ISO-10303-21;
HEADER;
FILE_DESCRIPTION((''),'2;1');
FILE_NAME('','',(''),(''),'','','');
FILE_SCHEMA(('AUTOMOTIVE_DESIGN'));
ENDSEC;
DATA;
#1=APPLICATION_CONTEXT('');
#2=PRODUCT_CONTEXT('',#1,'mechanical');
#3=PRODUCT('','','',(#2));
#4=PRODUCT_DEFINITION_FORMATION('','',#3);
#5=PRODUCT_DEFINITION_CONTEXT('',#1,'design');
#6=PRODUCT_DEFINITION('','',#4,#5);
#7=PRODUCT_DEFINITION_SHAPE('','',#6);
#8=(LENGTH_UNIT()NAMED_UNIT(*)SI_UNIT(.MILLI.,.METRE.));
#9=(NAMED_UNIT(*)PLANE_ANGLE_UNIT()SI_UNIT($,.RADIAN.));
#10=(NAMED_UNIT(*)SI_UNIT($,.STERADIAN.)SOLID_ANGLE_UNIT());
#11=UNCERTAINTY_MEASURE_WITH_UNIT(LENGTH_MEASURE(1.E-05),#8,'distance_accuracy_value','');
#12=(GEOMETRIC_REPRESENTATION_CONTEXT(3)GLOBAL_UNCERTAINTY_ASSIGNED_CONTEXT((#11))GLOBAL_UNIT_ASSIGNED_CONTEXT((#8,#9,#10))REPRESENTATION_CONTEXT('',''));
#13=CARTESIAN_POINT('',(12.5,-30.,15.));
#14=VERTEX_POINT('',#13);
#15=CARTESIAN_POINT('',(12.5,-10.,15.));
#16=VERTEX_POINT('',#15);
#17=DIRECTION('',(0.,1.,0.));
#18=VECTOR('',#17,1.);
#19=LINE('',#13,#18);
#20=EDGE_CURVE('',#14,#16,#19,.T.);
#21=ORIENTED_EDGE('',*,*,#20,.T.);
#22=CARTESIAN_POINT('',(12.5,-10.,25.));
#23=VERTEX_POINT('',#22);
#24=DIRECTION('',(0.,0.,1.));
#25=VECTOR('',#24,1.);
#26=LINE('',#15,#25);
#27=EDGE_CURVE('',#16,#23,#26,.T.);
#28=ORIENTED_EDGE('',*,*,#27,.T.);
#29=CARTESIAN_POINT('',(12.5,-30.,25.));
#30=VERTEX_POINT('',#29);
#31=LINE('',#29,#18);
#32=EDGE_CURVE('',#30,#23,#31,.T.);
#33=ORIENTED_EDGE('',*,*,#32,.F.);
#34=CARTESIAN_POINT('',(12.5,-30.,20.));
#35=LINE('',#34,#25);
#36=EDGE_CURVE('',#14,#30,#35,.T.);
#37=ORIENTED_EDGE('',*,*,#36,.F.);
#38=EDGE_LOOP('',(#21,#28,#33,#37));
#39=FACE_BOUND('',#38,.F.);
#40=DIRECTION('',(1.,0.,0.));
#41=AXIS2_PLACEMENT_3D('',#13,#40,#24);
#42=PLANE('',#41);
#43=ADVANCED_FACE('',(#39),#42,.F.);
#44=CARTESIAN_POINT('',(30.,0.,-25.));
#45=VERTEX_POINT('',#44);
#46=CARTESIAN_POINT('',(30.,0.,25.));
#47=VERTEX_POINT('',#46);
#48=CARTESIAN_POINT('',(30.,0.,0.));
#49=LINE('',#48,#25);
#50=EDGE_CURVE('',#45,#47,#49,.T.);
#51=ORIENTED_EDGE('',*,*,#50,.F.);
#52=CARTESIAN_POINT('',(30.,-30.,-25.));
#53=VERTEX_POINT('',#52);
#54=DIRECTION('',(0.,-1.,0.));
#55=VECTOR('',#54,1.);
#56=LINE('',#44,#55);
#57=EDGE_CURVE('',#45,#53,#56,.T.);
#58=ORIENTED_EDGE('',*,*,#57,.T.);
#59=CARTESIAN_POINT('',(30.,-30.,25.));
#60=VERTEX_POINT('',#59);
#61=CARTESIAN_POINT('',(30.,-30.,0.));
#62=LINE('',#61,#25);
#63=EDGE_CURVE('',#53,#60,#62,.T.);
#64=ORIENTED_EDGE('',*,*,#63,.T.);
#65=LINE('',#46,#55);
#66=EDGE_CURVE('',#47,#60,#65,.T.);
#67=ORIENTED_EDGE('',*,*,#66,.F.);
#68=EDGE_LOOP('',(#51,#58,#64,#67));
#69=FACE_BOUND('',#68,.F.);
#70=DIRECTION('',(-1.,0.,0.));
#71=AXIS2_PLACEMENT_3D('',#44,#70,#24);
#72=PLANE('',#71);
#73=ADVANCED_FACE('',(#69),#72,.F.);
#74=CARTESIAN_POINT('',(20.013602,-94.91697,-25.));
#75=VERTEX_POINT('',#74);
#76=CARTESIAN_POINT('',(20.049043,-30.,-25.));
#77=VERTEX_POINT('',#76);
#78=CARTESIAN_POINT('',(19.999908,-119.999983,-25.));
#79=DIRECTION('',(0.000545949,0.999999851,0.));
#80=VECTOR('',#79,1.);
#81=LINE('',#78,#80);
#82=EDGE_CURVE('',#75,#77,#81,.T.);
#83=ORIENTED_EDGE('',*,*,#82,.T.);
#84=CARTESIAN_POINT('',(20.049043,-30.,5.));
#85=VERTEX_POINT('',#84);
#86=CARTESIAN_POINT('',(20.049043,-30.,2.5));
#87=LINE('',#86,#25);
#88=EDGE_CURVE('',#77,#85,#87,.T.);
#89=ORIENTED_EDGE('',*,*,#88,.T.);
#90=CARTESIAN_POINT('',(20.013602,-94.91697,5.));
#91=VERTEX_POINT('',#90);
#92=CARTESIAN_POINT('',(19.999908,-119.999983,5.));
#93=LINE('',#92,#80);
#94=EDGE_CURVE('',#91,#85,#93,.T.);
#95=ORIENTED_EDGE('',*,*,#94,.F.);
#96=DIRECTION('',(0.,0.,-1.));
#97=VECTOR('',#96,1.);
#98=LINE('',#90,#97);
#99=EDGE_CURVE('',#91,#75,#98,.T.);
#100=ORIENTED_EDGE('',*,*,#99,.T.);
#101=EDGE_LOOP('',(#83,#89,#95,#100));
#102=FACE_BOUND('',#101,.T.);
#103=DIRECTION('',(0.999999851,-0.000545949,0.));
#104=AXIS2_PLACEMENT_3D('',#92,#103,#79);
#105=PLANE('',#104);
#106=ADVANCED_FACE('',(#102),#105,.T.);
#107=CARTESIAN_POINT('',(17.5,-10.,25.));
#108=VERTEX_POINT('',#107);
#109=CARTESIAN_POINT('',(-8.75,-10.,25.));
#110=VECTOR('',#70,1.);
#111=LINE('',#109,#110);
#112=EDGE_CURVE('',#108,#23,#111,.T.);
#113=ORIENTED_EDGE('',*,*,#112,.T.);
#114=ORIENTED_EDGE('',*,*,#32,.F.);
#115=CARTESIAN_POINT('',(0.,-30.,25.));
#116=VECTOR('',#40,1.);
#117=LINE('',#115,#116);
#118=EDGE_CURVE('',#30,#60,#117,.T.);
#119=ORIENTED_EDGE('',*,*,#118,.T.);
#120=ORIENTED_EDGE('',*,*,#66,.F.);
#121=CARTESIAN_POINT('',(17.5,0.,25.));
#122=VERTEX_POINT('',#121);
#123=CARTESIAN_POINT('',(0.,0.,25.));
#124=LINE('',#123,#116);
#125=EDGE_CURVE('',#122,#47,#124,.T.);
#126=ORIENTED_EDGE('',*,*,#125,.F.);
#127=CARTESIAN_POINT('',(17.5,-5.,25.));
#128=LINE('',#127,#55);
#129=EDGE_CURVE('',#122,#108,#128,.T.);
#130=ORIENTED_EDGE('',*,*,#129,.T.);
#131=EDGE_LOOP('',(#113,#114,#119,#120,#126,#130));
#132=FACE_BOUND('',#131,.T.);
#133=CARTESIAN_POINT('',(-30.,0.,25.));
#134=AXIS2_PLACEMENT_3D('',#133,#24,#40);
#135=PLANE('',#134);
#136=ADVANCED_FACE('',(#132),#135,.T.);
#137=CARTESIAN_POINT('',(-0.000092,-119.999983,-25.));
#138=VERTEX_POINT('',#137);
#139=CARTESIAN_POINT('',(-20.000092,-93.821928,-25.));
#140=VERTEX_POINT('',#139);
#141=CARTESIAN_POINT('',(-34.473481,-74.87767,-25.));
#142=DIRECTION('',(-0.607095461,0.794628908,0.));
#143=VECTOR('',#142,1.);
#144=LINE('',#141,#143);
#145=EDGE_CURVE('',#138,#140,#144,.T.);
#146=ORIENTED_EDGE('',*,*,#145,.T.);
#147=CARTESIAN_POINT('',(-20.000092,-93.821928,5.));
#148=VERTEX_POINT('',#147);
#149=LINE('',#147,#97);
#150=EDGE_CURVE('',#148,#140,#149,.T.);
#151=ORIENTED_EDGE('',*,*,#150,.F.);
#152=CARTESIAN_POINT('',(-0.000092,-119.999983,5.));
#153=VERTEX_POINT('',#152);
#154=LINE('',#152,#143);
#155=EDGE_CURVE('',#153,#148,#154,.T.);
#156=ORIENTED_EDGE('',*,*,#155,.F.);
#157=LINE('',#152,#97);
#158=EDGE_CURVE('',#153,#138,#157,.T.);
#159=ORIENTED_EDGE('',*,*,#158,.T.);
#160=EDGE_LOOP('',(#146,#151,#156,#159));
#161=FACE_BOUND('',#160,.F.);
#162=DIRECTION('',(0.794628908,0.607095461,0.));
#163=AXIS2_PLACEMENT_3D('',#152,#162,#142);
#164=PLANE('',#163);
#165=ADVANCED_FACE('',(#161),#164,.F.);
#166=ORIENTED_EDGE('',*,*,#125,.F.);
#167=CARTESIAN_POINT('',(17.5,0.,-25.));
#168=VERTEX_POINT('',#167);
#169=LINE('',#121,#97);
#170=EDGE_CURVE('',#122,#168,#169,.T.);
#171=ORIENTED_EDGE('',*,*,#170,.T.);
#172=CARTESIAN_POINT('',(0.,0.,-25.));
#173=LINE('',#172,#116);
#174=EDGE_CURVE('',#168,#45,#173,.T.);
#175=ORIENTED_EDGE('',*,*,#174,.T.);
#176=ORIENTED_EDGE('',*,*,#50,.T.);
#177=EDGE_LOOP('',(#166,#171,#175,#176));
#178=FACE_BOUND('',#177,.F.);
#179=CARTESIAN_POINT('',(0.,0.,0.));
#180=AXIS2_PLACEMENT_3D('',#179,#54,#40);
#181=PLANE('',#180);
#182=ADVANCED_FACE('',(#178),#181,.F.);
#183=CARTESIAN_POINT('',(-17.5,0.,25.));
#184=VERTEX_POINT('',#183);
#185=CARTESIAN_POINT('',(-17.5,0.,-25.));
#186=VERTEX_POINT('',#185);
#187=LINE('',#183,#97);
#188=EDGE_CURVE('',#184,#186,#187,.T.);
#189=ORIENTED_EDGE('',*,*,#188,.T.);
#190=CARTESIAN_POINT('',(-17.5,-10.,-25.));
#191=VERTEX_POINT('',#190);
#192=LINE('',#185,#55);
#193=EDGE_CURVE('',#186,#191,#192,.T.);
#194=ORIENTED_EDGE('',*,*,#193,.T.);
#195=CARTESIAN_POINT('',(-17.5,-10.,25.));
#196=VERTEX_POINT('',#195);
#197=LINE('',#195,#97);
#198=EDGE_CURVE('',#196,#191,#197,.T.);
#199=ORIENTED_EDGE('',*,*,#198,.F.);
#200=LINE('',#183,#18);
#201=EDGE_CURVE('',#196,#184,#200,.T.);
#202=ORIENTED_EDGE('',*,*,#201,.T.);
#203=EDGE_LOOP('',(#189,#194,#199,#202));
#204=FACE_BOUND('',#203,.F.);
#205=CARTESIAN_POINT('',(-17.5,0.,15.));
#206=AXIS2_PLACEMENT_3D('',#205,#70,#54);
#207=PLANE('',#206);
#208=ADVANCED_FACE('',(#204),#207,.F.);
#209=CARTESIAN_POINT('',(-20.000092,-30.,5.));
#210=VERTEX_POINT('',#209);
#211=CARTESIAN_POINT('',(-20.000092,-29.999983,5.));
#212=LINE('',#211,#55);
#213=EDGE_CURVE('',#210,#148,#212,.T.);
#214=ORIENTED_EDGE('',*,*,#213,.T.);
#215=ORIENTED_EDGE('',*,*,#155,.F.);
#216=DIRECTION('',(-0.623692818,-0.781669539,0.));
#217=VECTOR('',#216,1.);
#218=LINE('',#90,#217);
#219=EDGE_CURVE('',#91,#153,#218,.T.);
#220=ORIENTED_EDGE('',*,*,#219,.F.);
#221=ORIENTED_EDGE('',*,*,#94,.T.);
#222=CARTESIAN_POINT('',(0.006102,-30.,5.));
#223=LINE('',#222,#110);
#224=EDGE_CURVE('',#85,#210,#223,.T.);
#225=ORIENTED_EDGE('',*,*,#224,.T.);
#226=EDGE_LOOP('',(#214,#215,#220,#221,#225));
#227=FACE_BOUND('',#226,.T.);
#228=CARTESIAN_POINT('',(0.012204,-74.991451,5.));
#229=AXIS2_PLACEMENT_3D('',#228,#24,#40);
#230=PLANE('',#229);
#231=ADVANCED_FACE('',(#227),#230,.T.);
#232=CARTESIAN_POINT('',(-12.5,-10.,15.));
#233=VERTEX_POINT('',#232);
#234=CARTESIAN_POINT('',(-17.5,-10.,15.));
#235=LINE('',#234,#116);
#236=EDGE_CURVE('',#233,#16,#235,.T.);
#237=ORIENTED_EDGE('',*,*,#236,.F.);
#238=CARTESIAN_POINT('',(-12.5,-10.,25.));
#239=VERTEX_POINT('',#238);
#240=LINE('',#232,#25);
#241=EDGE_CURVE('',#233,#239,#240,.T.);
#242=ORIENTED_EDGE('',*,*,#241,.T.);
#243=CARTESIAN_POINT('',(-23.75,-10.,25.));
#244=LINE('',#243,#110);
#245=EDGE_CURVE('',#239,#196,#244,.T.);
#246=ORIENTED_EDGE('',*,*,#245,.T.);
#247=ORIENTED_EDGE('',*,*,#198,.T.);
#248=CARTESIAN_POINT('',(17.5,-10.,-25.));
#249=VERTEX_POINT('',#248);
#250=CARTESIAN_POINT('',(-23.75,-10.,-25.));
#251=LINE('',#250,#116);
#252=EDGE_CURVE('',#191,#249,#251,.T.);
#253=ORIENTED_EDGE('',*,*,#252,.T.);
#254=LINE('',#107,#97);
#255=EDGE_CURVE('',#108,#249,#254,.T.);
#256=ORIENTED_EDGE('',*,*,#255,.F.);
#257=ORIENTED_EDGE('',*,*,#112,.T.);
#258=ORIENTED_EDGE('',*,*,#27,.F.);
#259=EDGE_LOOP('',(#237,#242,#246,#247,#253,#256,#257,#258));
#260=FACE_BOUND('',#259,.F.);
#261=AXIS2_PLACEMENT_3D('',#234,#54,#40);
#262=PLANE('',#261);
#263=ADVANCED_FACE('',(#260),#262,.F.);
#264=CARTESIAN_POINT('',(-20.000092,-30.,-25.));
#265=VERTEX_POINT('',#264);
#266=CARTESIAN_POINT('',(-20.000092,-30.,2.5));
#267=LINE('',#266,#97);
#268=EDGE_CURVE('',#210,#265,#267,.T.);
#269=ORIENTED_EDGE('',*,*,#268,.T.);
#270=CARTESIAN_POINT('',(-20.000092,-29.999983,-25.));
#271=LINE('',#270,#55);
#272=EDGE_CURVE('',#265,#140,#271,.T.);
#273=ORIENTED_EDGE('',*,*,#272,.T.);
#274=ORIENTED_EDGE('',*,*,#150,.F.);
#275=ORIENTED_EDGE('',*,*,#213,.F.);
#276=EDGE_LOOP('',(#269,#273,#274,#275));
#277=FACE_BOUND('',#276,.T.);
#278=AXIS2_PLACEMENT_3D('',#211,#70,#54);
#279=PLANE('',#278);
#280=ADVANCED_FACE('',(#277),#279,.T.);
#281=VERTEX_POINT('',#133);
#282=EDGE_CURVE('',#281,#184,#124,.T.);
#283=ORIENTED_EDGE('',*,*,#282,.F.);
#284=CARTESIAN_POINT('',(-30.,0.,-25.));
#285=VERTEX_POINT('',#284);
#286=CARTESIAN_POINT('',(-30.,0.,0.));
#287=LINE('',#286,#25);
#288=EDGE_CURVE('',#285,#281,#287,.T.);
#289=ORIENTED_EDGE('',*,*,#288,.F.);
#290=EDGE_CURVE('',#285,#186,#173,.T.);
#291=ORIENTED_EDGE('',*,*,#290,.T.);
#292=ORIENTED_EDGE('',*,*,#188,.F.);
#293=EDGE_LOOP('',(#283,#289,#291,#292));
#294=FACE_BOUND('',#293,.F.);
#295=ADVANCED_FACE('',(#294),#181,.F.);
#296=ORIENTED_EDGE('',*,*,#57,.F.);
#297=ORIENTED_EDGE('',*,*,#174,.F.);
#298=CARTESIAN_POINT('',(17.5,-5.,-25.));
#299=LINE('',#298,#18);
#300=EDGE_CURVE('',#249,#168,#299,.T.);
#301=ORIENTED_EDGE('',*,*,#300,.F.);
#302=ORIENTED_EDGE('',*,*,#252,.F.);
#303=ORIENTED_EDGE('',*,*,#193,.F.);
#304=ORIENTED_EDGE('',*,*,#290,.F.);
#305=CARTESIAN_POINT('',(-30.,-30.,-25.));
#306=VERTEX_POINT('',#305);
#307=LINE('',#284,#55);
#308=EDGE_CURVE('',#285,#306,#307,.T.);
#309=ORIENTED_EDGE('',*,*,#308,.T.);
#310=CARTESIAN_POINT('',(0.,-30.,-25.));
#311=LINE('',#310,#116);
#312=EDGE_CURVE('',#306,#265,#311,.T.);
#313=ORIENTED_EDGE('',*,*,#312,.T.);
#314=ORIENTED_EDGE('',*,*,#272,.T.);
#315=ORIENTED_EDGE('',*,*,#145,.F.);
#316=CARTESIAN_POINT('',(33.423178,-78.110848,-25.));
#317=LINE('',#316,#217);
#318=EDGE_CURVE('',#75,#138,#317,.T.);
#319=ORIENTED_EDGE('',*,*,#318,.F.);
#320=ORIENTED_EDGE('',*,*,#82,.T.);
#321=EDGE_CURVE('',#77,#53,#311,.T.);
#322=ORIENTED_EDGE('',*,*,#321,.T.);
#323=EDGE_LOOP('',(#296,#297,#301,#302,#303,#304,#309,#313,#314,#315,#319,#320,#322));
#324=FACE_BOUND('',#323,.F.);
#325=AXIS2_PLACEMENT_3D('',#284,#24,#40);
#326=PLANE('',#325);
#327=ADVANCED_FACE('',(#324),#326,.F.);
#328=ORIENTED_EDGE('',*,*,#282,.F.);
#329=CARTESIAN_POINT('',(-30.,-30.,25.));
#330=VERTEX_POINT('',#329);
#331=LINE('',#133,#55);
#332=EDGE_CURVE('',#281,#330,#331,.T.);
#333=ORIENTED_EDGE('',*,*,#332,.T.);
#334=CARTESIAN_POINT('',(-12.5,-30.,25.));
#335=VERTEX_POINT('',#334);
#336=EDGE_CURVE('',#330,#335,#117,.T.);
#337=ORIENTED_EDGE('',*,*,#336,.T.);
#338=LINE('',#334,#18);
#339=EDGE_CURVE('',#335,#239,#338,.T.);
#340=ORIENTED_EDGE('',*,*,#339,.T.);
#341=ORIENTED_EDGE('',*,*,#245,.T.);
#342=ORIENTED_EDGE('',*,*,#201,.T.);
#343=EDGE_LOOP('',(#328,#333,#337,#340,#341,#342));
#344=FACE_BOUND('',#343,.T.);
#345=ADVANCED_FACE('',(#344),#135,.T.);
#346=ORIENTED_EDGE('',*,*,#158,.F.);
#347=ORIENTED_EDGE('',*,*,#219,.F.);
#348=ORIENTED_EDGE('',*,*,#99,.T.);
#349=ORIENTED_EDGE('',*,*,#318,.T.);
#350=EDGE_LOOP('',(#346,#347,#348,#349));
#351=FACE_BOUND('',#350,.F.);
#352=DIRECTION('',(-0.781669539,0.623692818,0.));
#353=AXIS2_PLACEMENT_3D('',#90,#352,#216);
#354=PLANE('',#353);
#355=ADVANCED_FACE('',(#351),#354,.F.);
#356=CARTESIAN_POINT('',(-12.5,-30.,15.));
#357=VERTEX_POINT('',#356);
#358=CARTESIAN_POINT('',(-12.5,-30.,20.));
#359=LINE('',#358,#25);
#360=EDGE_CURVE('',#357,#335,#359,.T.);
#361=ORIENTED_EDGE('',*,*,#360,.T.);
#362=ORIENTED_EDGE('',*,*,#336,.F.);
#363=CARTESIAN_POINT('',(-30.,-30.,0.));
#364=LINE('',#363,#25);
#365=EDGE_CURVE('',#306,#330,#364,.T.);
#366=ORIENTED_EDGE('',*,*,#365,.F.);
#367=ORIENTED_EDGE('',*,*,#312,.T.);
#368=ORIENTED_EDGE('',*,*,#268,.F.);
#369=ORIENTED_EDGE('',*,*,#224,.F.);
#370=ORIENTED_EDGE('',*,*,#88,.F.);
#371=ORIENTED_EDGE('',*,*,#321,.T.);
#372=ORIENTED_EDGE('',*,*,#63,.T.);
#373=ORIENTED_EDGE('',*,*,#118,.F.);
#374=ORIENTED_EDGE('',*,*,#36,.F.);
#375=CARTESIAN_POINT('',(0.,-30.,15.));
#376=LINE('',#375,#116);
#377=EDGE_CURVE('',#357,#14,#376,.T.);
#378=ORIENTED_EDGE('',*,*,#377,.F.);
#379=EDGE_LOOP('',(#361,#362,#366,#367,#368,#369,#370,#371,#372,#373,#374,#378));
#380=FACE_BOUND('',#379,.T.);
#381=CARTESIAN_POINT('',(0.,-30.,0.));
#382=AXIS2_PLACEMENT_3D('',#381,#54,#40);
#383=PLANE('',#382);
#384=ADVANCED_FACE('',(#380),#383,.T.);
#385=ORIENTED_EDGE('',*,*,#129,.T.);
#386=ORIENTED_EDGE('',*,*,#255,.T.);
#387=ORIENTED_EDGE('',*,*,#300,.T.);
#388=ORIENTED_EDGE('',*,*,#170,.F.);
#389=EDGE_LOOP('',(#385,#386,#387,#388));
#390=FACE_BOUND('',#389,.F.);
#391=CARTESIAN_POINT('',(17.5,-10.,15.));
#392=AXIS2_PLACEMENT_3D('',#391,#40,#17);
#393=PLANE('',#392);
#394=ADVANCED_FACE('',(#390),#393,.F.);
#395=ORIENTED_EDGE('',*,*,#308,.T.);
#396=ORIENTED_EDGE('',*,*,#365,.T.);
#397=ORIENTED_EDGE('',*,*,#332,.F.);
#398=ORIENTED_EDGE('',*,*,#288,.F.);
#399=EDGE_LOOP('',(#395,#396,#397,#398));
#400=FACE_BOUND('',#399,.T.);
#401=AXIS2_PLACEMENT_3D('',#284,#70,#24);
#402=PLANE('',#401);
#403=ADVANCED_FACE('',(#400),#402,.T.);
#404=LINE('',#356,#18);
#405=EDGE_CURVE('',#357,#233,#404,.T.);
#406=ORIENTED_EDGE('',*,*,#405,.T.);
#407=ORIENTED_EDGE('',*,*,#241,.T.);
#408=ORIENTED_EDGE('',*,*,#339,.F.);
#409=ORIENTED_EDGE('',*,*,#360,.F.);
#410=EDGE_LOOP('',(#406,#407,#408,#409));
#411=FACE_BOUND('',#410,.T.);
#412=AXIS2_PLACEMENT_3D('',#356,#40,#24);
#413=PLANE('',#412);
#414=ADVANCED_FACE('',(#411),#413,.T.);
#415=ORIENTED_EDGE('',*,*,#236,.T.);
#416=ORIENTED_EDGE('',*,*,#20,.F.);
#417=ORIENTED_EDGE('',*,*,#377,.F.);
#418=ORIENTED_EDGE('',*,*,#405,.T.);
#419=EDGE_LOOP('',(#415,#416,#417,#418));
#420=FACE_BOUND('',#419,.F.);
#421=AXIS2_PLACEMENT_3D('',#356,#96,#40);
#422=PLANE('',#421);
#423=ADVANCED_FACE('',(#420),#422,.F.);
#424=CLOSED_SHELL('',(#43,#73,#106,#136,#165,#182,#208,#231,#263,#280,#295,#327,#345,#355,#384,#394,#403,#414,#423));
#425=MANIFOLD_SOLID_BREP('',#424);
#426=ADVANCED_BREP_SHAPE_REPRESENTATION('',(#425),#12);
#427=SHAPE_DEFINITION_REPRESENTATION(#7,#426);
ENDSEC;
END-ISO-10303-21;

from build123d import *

# Parameters (mm, degrees)
F0_W      = 60
F0_H      = 50
F1_DEPTH  = 30
F2_W      = 25
F2_H      = 10
F3_DEPTH  = 30.001
F5_DEPTH  = 40.001
F6_DEPTH  = 10.001
F9_DEPTH  = 30
F11_DEPTH = 30.001


with BuildPart() as f1:
    # F0 (on Front) → F1 (new body)
    with BuildSketch(Plane.XZ):
        Rectangle(F0_W, F0_H)
    extrude(amount=F1_DEPTH)

    # F2 (on face) → F3 (cut, through all)
    with BuildSketch(Plane.XZ.offset(30)):
        with Locations((0, 20)):
            Rectangle(F2_W, F2_H)
    extrude(amount=-F3_DEPTH, mode=Mode.SUBTRACT)

    # F4 (on face) → F5 (cut, through all)
    with BuildSketch(Plane.XY.offset(15)):
        Polygon((-17.5, -10), (-12.5, -10), (17.5, -10), (17.5, 0), (-17.5, 0), align=None)
    extrude(amount=-F5_DEPTH, mode=Mode.SUBTRACT)

    # F6 (cut, through all): faces of the model
    f6_faces = [f1.faces().sort_by_distance(p)[0] for p in [
        (15, -5, 15),
        (-15, -5, 15),
    ]]
    extrude(f6_faces, amount=-F6_DEPTH, mode=Mode.SUBTRACT)

    # F8 (on offset) → F9 (join)
    with BuildSketch(Plane.XY.offset(5)):
        Polygon((20.0490429997, -29.9998670816), (-20.0000924617, -29.9999825656), (-20.0000924617, -119.9999825656), (19.9999075383, -119.9999825656), align=None)
    extrude(amount=-F9_DEPTH)

    # F10 (on face) → F11 (cut, through all)
    with BuildSketch(Plane.XY.offset(5)):
        Polygon((20.0136015809, -94.9169696898), (-9.24617e-05, -119.9999825656), (19.9999075383, -119.9999825656), align=None)
        Polygon((-9.24617e-05, -119.9999825656), (-20.0000924617, -93.8219279051), (-20.0000924617, -119.9999825656), align=None)
    extrude(amount=-F11_DEPTH, mode=Mode.SUBTRACT)


solid = f1.part
